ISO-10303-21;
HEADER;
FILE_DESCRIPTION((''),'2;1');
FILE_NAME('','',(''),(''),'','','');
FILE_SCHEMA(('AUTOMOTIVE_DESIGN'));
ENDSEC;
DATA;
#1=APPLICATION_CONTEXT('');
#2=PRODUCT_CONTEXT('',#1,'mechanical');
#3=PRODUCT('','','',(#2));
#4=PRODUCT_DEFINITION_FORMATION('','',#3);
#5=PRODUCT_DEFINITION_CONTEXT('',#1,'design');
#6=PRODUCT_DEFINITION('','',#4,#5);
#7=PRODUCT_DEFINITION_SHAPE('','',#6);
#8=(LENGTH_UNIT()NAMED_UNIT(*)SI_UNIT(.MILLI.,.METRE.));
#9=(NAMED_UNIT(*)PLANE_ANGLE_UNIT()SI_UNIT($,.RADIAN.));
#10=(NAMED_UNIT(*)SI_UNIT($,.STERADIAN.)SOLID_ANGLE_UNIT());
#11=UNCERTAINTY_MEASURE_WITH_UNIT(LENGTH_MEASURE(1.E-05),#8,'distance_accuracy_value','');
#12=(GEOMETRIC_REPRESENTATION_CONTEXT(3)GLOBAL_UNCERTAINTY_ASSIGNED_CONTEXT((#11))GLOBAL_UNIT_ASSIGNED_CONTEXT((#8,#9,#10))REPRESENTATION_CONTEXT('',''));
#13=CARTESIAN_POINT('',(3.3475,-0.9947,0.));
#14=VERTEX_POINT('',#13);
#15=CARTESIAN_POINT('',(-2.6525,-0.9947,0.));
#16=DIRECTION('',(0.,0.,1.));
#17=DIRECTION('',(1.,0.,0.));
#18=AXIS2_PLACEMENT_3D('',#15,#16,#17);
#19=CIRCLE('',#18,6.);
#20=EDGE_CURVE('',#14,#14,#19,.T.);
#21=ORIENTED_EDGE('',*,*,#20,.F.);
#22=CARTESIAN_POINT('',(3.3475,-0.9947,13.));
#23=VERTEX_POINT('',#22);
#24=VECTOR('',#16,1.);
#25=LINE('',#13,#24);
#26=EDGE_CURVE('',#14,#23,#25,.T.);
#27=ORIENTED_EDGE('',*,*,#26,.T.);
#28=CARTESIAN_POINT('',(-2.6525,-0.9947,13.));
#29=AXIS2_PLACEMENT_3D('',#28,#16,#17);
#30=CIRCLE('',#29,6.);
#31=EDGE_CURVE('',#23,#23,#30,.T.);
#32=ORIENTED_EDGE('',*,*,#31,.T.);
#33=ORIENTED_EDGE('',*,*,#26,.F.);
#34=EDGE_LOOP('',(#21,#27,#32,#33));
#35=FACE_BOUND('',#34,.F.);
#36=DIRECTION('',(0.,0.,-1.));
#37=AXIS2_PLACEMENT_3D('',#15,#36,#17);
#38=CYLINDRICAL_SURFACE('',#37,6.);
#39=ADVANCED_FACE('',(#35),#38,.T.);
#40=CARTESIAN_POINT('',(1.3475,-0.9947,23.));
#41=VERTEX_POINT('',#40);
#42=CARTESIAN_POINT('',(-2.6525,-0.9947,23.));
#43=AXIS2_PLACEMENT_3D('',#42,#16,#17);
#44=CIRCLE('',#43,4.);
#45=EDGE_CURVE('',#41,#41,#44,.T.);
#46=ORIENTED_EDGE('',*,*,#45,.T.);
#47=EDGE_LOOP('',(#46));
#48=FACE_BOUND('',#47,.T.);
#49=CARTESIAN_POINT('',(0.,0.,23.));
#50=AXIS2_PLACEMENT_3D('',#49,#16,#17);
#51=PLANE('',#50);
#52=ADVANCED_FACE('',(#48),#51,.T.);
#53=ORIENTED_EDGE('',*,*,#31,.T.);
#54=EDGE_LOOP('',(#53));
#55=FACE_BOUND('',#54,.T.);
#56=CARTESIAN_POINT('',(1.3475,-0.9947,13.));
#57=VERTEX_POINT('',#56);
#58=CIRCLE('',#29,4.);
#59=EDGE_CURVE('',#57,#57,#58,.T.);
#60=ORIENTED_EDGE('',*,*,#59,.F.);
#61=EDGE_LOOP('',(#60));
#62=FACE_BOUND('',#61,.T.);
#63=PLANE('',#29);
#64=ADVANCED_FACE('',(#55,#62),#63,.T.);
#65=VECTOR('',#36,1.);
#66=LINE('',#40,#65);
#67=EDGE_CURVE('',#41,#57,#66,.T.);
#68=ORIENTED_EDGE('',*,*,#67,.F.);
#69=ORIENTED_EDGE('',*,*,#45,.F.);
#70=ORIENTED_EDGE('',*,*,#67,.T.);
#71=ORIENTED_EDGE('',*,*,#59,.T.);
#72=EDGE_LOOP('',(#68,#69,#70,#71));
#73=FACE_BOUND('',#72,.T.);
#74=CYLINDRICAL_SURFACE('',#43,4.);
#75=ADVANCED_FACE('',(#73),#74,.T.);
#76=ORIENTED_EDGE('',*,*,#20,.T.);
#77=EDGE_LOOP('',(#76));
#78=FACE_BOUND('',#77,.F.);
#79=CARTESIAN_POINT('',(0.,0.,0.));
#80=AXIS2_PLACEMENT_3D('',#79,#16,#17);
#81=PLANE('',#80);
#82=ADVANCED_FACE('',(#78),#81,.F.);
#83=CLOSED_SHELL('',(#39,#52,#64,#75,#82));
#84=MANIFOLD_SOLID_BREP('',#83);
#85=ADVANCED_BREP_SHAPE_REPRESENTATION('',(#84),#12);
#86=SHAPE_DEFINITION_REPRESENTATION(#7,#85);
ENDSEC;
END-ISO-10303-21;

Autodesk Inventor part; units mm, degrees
ref_plane "YZ Plane" through (0, 0, 0) normal (1, 0, 0) x (0, 1, 0)
ref_plane "XZ Plane" through (0, 0, 0) normal (0, 1, 0) x (-1, 0, 0)
ref_plane "XY Plane" through (0, 0, 0) normal (0, 0, 1) x (1, 0, 0)
sketch "Sketch1" plane through (0, 0, 0) normal (0, 0, 1) x (1, 0, 0)
  circle A0 centre (-2.6525, -0.9947) radius 6
  dimension "d0" = 12
extrude "Extrusion1" add sketch "Sketch1" along normal blind 23
sketch "Sketch2" plane through (-2.6525, -0.9947, 23) normal (0, 0, 1) x (1, 0, 0)
  circle A0 centre (0, 0) radius 6 projected
  circle A1 centre (0, 0) radius 4
  dimension "d3" = 8
extrude "Extrusion2" cut sketch "Sketch2" against normal blind 10
properties part number "WeldExer_lower_sleeve"
